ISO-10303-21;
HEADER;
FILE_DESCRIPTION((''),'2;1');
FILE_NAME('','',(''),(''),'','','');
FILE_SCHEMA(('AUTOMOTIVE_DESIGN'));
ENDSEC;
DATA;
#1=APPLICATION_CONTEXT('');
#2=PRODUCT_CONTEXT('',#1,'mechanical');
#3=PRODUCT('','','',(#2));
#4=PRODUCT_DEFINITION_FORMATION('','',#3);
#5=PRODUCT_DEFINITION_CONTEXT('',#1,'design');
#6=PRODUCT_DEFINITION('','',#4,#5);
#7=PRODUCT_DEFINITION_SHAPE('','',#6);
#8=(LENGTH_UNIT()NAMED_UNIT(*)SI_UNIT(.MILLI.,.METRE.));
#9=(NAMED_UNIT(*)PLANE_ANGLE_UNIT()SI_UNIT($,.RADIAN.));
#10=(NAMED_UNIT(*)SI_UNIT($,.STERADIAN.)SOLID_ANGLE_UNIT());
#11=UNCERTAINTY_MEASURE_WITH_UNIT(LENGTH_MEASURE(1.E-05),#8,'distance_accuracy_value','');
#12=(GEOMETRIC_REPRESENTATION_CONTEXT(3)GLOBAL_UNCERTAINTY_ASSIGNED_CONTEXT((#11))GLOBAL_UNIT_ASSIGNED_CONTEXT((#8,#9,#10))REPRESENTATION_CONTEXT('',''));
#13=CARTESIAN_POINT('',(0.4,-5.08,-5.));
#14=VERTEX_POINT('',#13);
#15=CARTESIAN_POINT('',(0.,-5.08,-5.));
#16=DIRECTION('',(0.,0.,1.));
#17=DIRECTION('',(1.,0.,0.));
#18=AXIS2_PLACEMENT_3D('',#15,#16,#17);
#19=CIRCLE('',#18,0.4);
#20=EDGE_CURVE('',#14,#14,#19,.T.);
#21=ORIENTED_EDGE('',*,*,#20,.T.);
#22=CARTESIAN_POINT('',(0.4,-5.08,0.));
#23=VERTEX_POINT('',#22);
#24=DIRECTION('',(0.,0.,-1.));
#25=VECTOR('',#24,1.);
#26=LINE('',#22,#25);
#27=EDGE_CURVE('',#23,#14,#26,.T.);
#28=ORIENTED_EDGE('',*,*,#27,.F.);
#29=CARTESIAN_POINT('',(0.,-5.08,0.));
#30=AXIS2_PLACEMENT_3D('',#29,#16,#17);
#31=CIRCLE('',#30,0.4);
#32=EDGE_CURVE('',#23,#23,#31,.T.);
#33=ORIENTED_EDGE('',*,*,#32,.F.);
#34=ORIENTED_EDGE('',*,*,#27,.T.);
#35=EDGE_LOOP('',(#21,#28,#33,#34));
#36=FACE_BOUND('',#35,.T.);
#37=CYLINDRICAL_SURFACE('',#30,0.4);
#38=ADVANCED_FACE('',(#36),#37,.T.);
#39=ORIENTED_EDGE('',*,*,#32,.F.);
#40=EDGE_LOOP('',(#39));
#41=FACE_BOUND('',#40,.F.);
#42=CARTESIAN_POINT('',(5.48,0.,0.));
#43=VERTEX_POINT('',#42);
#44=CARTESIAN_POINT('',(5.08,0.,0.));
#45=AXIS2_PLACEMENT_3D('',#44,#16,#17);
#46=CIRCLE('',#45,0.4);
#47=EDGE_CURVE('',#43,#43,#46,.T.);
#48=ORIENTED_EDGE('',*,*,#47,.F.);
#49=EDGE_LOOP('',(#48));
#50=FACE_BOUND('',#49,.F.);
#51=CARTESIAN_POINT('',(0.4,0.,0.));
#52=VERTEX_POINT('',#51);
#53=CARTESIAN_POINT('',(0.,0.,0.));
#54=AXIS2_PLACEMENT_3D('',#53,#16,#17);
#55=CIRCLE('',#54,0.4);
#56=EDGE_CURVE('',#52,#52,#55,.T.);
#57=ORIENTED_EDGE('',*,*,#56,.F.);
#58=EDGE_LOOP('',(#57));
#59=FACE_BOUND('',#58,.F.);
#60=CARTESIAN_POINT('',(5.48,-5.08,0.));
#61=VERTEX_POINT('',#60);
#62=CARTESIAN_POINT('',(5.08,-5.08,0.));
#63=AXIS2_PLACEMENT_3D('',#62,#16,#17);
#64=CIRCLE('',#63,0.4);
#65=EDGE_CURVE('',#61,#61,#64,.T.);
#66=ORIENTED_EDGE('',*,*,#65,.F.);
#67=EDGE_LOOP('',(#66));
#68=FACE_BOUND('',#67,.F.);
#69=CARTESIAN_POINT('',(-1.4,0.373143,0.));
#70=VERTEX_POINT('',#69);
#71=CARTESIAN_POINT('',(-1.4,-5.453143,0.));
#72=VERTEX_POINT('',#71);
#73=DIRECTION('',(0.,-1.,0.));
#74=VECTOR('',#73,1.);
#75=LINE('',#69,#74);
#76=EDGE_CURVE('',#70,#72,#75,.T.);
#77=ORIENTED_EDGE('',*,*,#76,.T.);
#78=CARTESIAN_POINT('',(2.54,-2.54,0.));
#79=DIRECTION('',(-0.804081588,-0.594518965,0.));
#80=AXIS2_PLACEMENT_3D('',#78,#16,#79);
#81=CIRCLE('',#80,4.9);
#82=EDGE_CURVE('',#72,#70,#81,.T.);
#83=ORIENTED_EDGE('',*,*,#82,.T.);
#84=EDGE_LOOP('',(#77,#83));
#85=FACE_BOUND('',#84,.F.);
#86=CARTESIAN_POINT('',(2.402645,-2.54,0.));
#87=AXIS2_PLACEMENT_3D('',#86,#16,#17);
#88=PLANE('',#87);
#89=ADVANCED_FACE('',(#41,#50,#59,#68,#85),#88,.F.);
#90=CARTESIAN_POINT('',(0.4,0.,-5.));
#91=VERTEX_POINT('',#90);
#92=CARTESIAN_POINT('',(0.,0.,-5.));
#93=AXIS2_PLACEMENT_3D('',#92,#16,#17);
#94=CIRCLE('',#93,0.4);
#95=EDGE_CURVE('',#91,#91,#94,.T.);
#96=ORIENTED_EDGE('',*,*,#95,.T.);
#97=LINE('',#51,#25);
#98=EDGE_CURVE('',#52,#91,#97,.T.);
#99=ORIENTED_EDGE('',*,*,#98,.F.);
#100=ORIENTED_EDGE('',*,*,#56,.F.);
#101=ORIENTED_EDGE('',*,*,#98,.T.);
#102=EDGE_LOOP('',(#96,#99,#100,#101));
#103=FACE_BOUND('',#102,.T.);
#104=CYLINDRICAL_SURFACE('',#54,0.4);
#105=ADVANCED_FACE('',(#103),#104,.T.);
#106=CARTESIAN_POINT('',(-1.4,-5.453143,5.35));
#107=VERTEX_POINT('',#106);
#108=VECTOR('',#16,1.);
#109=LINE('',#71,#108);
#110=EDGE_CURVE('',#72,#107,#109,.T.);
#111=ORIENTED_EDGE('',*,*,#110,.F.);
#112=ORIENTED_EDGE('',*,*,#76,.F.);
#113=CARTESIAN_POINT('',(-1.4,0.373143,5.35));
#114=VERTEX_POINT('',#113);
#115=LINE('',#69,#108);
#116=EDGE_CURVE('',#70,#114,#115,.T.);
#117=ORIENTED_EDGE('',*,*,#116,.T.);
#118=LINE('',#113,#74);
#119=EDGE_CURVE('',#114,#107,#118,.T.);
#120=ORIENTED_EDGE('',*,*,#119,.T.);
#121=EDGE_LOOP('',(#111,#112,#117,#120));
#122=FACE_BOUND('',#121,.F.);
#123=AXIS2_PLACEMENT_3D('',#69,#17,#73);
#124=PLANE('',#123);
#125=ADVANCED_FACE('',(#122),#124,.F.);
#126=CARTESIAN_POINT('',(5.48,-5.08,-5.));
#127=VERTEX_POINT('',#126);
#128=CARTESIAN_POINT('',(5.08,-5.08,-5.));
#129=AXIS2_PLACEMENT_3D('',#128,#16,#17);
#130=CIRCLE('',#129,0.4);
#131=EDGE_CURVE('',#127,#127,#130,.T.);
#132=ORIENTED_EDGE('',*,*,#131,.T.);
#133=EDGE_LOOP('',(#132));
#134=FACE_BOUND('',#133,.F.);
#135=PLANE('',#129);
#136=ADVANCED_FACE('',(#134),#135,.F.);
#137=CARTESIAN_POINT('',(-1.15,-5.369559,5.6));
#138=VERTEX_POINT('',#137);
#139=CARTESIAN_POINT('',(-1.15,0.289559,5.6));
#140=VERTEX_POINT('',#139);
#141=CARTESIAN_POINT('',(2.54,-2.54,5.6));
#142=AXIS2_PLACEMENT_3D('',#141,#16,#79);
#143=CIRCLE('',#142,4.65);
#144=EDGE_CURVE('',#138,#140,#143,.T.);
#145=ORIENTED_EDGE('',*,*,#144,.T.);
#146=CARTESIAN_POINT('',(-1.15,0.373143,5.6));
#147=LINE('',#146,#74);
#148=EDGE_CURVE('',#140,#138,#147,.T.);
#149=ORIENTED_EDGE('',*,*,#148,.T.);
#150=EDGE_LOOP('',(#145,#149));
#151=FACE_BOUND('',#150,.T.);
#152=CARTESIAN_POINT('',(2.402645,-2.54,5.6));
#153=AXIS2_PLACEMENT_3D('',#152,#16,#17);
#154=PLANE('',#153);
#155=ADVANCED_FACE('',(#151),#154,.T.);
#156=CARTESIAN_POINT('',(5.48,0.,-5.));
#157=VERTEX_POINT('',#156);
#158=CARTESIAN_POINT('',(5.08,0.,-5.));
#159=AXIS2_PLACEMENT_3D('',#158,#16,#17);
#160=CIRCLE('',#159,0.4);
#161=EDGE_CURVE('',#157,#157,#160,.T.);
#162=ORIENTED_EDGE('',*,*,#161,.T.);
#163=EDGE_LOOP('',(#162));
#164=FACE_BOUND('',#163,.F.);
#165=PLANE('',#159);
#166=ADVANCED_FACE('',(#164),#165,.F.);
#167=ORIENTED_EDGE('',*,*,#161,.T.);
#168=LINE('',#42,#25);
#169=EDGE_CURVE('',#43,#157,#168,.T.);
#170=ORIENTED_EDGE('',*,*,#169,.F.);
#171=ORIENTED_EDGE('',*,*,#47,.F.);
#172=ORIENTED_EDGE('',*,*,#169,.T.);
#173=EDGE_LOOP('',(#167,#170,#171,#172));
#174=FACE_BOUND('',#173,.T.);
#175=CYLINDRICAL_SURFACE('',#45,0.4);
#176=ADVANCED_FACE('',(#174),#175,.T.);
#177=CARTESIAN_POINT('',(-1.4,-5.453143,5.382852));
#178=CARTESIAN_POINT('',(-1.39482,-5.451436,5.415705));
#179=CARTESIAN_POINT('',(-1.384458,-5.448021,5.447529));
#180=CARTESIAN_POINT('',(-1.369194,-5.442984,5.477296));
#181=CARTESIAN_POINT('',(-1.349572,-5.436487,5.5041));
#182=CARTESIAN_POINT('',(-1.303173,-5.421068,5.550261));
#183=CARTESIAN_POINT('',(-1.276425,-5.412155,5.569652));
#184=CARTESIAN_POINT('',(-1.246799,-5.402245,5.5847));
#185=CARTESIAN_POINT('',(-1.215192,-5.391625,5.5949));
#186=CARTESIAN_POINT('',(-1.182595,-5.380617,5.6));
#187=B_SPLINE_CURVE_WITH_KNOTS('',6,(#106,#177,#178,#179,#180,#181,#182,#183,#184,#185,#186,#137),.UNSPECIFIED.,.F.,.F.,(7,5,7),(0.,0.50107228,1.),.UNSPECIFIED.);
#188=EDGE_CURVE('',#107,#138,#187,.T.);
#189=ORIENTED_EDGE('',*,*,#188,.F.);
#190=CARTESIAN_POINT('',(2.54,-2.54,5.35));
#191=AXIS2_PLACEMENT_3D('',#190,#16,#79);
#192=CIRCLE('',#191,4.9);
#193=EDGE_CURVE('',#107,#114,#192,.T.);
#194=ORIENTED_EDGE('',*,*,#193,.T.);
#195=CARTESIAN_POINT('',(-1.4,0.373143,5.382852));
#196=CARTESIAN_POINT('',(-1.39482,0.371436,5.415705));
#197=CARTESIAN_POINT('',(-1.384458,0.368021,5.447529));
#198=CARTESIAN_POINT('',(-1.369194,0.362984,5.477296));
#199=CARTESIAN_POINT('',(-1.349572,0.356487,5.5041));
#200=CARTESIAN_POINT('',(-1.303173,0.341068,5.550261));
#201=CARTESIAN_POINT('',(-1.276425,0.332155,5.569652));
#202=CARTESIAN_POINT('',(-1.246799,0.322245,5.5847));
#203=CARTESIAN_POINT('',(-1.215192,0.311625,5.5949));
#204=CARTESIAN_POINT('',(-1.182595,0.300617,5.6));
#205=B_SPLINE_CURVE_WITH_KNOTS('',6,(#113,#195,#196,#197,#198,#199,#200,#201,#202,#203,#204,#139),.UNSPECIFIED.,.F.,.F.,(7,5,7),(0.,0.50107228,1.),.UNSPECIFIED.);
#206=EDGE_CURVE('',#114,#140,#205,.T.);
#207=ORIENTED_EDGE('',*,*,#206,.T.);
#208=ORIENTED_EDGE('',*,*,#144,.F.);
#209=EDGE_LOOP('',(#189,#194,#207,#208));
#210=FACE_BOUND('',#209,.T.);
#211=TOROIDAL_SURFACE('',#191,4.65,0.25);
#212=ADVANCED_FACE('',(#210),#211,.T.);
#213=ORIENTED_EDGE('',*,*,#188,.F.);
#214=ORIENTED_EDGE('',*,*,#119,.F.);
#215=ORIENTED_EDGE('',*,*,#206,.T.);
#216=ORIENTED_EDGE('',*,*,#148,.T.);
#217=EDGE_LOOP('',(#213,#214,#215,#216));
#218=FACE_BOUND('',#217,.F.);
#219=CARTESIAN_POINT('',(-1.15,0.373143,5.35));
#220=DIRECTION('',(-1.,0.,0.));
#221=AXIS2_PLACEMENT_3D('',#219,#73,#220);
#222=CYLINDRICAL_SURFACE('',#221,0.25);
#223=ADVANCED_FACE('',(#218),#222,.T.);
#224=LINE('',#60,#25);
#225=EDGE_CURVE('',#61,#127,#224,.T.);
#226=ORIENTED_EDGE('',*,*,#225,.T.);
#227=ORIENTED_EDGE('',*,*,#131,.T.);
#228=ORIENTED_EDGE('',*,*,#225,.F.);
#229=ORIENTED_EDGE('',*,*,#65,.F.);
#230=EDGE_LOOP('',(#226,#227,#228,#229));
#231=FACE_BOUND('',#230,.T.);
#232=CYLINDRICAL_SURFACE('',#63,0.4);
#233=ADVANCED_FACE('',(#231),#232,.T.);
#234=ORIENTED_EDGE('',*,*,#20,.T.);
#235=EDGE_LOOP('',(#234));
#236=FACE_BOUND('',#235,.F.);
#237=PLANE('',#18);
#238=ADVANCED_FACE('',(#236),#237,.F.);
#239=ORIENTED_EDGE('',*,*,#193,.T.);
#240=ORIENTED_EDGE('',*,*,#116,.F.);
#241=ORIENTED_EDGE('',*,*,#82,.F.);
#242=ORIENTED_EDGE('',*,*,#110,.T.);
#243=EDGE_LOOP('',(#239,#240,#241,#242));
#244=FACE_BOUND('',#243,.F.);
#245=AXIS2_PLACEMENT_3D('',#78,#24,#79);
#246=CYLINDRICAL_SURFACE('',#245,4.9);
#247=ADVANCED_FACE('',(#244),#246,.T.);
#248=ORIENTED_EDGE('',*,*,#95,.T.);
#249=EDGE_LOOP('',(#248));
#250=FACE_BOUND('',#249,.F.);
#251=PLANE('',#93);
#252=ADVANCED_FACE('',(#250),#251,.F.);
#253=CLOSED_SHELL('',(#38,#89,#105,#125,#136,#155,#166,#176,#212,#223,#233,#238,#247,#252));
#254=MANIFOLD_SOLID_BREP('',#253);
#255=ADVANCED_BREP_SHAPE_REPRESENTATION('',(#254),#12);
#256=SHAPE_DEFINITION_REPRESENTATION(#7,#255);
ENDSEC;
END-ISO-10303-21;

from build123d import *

# Parameters (mm, degrees)
PAD001_DEPTH = 5.6
FILLET_R     = 0.25
SKETCH_R     = 0.4
PAD_DEPTH    = 5


with BuildPart() as fillet_body:
    # Sketch001 → Pad001 (new body)
    with BuildSketch(Plane.XY):
        with BuildLine():
            Line((-1.4, 0.373143), (-1.4, -5.453143))
            ThreePointArc((-1.4, -5.453143), (7.44, -2.54), (-1.4, 0.373143))
        make_face()
    extrude(amount=PAD001_DEPTH)

    # Fillet
    fillet_edges = [fillet_body.edges().sort_by_distance(p)[0] for p in [
        (-1.4, -2.54, 5.6),
        (7.44, -2.54, 5.6),
    ]]
    fillet(fillet_edges, radius=FILLET_R)


with BuildPart() as diode_bridge_round_d9_8mm:
    # Sketch → Pad (new body)
    with BuildSketch(Plane.XY):
        Circle(SKETCH_R)
        with Locations((5.08, 0)):
            Circle(SKETCH_R)
        with Locations((5.08, -5.08)):
            Circle(SKETCH_R)
        with Locations((0, -5.08)):
            Circle(SKETCH_R)
    extrude(amount=-PAD_DEPTH)

    # Pad_mp_cp: union Fillet body
    add(fillet_body.part)


solid = diode_bridge_round_d9_8mm.part
